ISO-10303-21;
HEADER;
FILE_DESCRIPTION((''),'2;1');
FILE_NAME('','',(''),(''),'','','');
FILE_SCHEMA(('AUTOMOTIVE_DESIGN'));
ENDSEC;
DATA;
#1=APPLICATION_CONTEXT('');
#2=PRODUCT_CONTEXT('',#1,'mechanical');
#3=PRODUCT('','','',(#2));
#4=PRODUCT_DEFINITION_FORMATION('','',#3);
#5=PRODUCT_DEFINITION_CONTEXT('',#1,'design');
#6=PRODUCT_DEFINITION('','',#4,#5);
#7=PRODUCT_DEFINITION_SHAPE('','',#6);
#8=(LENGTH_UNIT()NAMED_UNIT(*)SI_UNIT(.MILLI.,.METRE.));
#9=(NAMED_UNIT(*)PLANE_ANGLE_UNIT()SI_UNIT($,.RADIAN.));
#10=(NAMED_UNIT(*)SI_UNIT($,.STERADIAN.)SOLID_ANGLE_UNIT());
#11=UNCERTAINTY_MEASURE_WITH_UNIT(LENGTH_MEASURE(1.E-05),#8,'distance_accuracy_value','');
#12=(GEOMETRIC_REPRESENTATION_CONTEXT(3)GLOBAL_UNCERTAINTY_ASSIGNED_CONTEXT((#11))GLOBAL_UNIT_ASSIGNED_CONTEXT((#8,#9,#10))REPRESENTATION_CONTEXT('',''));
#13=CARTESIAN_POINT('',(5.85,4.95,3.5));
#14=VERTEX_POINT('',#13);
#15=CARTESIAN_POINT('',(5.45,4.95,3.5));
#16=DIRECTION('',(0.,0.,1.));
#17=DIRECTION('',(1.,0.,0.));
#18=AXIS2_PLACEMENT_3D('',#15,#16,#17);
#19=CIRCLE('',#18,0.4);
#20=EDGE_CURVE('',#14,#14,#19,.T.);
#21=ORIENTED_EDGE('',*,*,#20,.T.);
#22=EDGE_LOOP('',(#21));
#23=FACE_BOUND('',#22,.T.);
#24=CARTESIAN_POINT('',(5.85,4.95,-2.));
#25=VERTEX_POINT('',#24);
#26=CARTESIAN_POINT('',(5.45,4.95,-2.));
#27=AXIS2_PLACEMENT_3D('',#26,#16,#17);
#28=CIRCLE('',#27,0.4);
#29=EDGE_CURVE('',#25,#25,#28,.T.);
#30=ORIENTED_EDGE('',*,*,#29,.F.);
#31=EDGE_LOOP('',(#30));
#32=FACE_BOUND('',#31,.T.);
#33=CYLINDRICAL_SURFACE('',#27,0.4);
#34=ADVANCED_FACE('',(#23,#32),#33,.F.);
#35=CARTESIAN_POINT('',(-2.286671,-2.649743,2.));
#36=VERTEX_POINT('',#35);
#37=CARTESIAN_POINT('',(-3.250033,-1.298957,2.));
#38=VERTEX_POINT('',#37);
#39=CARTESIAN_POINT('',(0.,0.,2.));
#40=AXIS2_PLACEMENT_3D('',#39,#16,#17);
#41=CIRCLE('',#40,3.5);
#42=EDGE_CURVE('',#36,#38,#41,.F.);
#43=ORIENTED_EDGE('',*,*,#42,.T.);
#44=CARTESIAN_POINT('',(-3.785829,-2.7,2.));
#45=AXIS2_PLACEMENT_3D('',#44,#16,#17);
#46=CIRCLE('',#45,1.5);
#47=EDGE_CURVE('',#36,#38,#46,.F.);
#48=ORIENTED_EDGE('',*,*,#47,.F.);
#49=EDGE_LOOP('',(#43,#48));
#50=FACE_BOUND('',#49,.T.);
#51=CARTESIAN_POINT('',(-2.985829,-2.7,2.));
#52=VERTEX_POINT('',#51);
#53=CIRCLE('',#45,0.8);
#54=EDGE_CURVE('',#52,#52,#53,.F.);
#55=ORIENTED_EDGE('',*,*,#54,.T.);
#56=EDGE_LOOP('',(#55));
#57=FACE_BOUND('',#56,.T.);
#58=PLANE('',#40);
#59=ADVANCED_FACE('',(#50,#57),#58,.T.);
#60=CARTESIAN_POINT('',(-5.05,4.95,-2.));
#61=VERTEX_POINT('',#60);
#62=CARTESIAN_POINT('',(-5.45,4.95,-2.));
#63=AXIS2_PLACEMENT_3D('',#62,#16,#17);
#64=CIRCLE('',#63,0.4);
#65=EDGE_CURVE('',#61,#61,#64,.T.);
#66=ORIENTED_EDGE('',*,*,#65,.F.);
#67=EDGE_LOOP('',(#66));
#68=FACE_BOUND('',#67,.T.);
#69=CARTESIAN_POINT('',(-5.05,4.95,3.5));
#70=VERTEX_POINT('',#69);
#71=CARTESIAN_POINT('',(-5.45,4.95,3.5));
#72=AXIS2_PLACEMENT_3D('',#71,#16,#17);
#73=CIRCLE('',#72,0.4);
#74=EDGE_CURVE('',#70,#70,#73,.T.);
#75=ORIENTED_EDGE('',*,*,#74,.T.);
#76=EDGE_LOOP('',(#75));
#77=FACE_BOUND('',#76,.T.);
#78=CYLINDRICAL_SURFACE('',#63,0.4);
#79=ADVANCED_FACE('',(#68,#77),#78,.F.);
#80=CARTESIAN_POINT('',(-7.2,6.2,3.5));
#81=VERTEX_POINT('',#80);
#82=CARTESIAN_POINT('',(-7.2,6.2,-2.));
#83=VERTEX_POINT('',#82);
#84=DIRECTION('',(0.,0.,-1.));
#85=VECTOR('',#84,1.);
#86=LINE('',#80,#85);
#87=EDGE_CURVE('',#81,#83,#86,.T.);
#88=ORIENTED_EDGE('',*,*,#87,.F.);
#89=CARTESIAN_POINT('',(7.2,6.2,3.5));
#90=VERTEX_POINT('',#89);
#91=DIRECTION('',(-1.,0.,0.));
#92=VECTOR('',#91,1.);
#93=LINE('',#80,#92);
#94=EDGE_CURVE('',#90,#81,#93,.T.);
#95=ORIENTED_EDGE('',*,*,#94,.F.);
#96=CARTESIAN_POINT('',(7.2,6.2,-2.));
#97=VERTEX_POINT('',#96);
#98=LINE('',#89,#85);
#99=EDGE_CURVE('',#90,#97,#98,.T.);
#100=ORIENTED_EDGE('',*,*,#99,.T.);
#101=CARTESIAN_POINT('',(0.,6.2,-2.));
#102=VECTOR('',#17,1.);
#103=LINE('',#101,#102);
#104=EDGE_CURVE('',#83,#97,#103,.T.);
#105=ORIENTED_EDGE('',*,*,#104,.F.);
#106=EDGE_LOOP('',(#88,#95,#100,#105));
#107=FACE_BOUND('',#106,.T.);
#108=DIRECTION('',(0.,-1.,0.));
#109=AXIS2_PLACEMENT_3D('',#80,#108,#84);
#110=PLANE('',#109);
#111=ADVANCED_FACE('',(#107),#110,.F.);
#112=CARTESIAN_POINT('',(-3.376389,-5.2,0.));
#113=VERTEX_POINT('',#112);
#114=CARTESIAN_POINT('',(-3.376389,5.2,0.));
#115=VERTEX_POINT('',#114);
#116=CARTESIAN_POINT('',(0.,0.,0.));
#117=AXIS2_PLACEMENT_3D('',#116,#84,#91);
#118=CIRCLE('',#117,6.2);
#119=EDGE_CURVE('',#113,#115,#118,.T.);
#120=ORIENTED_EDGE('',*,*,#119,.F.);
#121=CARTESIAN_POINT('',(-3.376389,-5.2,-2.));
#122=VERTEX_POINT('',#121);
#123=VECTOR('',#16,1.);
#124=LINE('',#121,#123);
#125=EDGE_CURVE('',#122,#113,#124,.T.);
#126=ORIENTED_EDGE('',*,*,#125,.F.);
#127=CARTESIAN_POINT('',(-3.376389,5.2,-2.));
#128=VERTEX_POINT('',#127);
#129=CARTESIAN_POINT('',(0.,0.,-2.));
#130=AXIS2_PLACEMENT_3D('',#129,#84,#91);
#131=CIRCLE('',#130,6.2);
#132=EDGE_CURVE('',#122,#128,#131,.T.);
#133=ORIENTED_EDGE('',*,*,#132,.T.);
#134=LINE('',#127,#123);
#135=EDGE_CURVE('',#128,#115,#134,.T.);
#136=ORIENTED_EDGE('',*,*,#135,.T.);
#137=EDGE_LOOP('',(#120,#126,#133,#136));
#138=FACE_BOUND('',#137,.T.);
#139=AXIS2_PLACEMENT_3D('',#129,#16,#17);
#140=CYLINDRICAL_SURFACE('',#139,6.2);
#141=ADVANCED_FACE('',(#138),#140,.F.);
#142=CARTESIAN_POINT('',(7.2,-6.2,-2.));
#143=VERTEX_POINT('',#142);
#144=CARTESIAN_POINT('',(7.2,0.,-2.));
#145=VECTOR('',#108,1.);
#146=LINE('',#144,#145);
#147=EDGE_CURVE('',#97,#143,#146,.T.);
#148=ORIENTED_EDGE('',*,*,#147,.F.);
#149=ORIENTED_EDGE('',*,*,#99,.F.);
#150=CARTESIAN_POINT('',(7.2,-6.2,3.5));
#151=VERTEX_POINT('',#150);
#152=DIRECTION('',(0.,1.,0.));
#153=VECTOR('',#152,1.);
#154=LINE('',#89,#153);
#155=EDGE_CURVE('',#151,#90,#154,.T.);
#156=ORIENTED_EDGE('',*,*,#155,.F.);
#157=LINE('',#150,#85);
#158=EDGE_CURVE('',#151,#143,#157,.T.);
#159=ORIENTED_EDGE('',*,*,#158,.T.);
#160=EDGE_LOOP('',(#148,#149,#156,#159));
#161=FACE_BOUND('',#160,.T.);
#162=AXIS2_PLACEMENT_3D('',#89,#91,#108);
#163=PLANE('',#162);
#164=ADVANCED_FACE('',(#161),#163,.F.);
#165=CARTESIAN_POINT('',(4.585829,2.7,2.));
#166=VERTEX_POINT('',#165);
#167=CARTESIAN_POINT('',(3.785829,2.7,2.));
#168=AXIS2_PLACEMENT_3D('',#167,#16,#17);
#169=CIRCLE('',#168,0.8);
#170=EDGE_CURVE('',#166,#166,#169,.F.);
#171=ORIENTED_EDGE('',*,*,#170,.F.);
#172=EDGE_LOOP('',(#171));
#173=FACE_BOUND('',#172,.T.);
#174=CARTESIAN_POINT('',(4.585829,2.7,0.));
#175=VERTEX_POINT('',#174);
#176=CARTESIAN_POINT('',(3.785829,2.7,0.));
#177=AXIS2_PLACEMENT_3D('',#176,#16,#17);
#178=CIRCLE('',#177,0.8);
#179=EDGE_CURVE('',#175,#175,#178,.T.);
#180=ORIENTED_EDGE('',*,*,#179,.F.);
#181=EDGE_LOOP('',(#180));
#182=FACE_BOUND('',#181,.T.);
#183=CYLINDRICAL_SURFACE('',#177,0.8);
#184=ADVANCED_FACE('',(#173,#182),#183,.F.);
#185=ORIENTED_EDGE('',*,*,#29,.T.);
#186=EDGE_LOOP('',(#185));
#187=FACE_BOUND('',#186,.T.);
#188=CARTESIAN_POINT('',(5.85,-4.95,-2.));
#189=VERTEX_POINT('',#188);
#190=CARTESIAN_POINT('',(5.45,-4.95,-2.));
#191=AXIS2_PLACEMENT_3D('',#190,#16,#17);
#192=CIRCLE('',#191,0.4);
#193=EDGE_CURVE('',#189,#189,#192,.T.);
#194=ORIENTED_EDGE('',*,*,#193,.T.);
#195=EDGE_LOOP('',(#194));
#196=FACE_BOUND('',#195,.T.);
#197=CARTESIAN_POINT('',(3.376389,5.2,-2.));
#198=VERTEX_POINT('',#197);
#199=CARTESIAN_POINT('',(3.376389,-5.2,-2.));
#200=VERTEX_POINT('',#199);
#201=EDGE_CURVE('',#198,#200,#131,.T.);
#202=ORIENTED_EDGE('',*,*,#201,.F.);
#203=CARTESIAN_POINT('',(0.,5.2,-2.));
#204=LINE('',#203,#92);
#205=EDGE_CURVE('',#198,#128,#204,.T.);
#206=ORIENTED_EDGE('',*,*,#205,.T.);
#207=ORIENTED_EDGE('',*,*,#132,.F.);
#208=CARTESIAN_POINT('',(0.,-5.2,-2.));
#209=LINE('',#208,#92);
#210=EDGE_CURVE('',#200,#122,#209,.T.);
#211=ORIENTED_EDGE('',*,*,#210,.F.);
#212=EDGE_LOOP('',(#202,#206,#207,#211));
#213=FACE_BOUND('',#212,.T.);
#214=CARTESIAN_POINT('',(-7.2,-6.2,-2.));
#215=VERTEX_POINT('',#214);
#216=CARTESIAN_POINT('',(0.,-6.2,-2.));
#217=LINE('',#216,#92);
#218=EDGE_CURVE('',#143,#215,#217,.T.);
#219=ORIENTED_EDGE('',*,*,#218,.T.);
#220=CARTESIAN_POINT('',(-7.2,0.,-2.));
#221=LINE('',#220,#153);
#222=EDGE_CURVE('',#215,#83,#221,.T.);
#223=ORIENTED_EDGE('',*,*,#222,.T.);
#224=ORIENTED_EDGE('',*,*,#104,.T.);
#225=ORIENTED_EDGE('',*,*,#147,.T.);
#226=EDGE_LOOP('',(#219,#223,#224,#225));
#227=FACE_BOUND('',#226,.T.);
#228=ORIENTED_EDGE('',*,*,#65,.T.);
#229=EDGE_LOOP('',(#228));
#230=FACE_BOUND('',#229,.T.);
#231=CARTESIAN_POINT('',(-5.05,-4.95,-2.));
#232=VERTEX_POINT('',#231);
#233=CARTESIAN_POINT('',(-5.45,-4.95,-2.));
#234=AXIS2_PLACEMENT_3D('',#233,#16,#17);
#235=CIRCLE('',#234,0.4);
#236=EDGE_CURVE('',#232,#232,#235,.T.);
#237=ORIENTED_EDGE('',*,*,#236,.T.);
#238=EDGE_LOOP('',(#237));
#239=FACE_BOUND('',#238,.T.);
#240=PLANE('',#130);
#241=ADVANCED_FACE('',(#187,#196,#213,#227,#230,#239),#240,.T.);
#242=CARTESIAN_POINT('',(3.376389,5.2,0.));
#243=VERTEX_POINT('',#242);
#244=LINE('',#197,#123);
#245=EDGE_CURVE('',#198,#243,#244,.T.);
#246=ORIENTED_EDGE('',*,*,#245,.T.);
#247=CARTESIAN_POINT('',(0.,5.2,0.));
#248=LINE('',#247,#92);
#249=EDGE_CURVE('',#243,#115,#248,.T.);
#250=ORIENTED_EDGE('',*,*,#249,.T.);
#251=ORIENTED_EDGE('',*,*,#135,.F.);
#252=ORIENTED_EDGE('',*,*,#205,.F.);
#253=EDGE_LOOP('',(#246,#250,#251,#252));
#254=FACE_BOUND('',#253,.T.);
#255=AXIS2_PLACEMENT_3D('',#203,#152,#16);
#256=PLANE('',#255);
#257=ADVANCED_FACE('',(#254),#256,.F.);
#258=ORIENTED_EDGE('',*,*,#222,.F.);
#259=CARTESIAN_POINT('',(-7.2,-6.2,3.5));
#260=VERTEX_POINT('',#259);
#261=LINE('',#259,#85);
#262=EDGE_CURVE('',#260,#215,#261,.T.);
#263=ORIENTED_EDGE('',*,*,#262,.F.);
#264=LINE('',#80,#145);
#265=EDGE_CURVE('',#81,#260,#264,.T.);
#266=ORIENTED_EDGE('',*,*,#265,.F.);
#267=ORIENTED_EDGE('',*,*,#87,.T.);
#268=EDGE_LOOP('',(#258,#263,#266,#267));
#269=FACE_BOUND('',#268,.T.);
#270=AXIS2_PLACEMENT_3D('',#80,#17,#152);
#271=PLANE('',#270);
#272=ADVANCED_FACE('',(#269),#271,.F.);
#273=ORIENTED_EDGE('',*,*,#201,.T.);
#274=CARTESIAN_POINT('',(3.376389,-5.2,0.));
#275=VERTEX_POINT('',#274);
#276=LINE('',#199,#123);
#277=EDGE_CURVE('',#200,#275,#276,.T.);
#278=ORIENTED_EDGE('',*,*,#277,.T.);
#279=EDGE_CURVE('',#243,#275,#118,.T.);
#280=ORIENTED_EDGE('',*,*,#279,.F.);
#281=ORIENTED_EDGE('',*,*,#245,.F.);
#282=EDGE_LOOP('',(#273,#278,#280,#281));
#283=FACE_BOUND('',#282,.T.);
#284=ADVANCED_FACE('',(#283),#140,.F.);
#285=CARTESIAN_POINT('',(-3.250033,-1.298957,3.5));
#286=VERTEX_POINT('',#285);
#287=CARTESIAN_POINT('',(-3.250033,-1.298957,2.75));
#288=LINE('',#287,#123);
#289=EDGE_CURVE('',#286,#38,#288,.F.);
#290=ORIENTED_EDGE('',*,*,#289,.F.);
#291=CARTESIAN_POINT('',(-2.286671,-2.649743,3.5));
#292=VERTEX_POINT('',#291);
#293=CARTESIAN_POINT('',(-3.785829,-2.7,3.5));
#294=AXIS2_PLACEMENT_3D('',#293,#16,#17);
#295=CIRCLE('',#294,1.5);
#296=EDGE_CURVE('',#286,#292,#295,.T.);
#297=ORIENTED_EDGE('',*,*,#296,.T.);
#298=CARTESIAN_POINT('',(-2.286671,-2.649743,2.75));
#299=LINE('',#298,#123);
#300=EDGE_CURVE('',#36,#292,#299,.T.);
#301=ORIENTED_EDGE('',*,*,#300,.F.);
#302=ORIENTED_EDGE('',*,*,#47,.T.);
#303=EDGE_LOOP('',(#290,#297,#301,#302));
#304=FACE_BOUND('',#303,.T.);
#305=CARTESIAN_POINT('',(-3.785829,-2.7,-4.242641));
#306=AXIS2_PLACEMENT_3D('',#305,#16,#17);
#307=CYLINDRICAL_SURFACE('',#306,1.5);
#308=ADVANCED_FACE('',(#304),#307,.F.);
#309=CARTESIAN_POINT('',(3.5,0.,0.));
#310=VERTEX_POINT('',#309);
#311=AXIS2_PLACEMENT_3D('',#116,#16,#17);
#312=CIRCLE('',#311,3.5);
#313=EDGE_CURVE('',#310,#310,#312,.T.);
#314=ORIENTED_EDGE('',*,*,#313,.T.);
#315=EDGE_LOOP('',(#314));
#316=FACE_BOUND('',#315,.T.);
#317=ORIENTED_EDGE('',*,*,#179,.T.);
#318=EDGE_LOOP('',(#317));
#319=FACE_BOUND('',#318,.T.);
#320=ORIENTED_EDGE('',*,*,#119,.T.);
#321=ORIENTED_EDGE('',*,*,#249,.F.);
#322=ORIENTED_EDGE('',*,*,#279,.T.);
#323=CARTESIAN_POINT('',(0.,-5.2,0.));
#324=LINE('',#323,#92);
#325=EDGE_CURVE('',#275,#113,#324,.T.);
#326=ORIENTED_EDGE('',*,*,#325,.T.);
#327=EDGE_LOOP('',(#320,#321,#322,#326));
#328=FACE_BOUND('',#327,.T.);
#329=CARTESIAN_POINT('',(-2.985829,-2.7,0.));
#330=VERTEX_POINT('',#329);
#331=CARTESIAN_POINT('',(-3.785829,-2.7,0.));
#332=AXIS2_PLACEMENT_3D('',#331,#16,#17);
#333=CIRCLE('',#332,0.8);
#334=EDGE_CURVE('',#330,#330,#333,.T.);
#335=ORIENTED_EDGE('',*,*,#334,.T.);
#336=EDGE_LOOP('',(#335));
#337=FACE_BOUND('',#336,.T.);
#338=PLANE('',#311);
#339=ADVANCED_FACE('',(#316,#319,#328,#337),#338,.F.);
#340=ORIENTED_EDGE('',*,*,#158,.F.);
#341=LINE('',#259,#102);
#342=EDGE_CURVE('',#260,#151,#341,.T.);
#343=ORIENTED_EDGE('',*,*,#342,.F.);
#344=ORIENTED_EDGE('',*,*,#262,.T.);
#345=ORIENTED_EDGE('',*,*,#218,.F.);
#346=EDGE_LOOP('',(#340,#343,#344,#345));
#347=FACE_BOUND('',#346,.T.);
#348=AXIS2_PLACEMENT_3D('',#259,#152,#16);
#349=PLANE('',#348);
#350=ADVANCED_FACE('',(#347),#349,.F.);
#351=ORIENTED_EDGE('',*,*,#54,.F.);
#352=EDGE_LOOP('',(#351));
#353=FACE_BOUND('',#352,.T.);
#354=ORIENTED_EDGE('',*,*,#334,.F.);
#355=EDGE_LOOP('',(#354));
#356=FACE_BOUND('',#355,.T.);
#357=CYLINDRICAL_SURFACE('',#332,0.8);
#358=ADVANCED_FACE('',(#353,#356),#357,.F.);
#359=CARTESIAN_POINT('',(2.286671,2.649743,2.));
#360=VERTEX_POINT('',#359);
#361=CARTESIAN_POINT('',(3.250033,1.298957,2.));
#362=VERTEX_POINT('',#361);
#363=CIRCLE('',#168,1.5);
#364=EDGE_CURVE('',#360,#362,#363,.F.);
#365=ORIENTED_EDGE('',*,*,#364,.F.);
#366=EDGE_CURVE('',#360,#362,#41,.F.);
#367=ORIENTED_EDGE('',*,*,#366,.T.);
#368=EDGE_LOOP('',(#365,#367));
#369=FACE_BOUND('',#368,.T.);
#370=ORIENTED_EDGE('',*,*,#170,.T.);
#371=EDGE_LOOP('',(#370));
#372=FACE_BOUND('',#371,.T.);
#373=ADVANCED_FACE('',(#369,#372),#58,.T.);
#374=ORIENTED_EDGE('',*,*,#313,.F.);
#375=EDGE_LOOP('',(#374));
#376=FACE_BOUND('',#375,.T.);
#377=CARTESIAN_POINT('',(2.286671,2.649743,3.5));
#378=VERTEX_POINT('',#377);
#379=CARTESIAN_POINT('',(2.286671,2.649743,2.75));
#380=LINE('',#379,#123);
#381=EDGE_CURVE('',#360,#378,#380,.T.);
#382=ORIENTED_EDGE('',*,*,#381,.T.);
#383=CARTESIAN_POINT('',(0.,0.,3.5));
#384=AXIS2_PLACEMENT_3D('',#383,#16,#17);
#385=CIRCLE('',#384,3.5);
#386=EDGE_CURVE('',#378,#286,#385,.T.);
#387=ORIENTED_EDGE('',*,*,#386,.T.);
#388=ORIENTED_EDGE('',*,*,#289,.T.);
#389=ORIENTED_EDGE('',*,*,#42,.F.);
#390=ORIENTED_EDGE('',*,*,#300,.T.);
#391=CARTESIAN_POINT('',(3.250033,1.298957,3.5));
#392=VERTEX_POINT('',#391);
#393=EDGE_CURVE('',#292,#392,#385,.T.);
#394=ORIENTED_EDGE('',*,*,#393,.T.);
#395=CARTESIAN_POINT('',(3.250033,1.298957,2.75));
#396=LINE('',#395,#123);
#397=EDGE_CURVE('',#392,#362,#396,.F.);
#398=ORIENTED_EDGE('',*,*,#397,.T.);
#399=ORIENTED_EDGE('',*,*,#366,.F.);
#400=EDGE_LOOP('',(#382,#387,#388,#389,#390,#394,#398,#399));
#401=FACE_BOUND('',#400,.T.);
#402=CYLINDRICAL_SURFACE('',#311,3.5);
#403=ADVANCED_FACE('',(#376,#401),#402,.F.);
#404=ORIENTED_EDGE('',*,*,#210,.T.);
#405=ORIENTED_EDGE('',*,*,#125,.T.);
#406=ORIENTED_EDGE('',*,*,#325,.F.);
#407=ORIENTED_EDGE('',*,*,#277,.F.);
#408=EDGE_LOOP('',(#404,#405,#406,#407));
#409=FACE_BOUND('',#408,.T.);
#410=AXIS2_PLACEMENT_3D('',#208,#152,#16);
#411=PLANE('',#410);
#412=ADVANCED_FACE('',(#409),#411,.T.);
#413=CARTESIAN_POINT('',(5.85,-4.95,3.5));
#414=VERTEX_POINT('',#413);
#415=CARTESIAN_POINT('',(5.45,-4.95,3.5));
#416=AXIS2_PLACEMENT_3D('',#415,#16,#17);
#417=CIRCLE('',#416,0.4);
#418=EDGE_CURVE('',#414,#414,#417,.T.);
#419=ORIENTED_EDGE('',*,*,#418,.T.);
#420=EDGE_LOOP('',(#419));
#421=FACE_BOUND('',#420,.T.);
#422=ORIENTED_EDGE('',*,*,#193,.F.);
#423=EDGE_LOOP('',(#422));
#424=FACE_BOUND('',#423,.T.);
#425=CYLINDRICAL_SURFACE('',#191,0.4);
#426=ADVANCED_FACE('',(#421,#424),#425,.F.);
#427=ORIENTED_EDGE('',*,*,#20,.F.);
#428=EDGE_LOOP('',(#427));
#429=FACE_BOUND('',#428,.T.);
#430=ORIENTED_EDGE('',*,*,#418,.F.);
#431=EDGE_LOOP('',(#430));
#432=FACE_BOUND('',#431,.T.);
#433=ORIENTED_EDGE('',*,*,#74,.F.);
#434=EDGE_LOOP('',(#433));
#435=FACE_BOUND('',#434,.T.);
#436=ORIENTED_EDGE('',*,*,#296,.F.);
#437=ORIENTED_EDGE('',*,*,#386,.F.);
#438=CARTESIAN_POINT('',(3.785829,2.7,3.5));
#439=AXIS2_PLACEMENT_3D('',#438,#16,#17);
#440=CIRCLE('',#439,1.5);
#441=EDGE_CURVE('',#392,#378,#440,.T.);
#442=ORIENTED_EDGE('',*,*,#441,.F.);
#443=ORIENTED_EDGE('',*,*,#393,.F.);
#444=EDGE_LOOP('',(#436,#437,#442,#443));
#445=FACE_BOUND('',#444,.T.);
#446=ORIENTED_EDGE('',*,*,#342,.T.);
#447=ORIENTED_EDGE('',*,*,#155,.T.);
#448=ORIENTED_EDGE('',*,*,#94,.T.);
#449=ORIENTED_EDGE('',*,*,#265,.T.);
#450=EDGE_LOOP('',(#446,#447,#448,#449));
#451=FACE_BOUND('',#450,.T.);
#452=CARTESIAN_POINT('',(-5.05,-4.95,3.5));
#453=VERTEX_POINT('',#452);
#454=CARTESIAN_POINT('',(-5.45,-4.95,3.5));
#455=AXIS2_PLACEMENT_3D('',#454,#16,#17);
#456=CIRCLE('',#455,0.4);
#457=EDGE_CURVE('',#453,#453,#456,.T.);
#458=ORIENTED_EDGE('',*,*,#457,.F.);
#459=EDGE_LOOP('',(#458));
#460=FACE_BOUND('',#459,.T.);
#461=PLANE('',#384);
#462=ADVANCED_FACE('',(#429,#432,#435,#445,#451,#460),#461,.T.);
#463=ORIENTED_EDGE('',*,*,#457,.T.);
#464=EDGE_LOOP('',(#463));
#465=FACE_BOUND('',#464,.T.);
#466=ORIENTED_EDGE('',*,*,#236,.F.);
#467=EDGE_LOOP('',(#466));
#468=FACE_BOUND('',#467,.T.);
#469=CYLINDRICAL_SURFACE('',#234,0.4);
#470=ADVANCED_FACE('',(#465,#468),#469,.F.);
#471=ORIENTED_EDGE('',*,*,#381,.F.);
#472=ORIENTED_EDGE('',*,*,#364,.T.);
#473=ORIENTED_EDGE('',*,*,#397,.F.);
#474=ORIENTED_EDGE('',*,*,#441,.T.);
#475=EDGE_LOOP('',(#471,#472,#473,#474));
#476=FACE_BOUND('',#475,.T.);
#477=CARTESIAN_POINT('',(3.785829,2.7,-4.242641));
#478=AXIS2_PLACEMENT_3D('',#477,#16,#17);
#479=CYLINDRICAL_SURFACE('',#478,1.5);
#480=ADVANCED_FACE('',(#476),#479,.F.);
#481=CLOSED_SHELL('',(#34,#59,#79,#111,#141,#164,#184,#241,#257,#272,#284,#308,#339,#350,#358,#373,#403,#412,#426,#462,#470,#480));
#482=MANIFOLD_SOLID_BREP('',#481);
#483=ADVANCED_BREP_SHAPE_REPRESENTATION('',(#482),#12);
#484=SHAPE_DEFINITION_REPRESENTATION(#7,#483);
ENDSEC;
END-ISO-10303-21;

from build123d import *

# Parameters (mm, degrees)
SKETCH_1_W          = 14.4
SKETCH_1_H          = 12.4
EXTRUDE_1_DEPTH     = 3.5
SKETCH_3_R          = 0.8
SKETCH_3_R_2        = 3.5
CUT_EXTRUDE_1_DEPTH = 11.125709852
SKETCH_3_3_R        = 1.5
CUT_EXTRUDE_2_DEPTH = 1.5
EXTRUDE_2_DEPTH     = 2
SKETCH_5_R          = 0.4
CUT_EXTRUDE_3_DEPTH = 11.978615578


with BuildPart() as part:
    # 草图1 → 凸台-拉伸1 (new body)
    with BuildSketch(Plane.XY):
        Rectangle(SKETCH_1_W, SKETCH_1_H)
    extrude(amount=EXTRUDE_1_DEPTH)

    # 草图3 → 切除-拉伸1 (cut, through all)
    with BuildSketch(Plane.XY.offset(3.5)):
        with Locations((3.785828839, 2.7)):
            Circle(SKETCH_3_R)
        with Locations((-3.785828839, -2.7)):
            Circle(SKETCH_3_R)
        Circle(SKETCH_3_R_2)
    extrude(amount=-CUT_EXTRUDE_1_DEPTH, mode=Mode.SUBTRACT)

    # 草图3<3> → 切除-拉伸2 (cut)
    with BuildSketch(Plane.XY.offset(3.5)):
        with Locations((3.785828839, 2.7)):
            Circle(SKETCH_3_3_R)
        with Locations((-3.785828839, -2.7)):
            Circle(SKETCH_3_3_R)
    extrude(amount=-CUT_EXTRUDE_2_DEPTH, mode=Mode.SUBTRACT)

    # 草图4 → 凸台-拉伸2 (add)
    with BuildSketch(Plane(origin=(0, 0, 0), x_dir=(-1, 0, 0), z_dir=(0, 0, -1))):
        with BuildLine():
            Line((-6.2, 0), (-6.2, 5.2))
            Line((-6.2, 5.2), (-3.376388603, 5.2))
            ThreePointArc((-3.376388603, 5.2), (-1.760681692, 5.944745577), (-1.3e-08, 6.2))
            Line((-1.3e-08, 6.2), (-7.2, 6.2))
            Line((-7.2, 6.2), (-7.2, -6.2))
            Line((-7.2, -6.2), (0, -6.2))
            ThreePointArc((0, -6.2), (-1.760681686, -5.944745579), (-3.376388603, -5.2))
            Line((-3.376388603, -5.2), (-6.2, -5.2))
            Line((-6.2, -5.2), (-6.2, 0))
        make_face()
        with BuildLine():
            ThreePointArc((-1.3e-08, 6.2), (1.76068168, 5.944745581), (3.376388603, 5.2))
            Line((3.376388603, 5.2), (6.2, 5.2))
            Line((6.2, 5.2), (6.2, 0))
            Line((6.2, 0), (6.2, -5.2))
            Line((6.2, -5.2), (3.376388603, -5.2))
            ThreePointArc((3.376388603, -5.2), (1.760681686, -5.944745579), (0, -6.2))
            Line((0, -6.2), (7.2, -6.2))
            Line((7.2, -6.2), (7.2, 6.2))
            Line((7.2, 6.2), (-1.3e-08, 6.2))
        make_face()
        with BuildLine():
            Line((3.376388603, -5.2), (-3.376388603, -5.2))
            ThreePointArc((-3.376388603, -5.2), (-1.760681686, -5.944745579), (0, -6.2))
            ThreePointArc((0, -6.2), (1.760681686, -5.944745579), (3.376388603, -5.2))
        make_face()
        with BuildLine():
            ThreePointArc((-3.376388603, -5.2), (-5.448559871, -2.958579952), (-6.2, 0))
            Line((-6.2, 0), (-6.2, -5.2))
            Line((-6.2, -5.2), (-3.376388603, -5.2))
        make_face()
        with BuildLine():
            Line((-3.376388603, 5.2), (-6.2, 5.2))
            Line((-6.2, 5.2), (-6.2, 0))
            ThreePointArc((-6.2, 0), (-5.448559871, 2.958579952), (-3.376388603, 5.2))
        make_face()
        with BuildLine():
            ThreePointArc((-1.3e-08, 6.2), (-1.760681692, 5.944745577), (-3.376388603, 5.2))
            Line((-3.376388603, 5.2), (3.376388603, 5.2))
            ThreePointArc((3.376388603, 5.2), (1.76068168, 5.944745581), (-1.3e-08, 6.2))
        make_face()
        with BuildLine():
            Line((6.2, 5.2), (3.376388603, 5.2))
            ThreePointArc((3.376388603, 5.2), (5.448559871, 2.958579952), (6.2, 0))
            Line((6.2, 0), (6.2, 5.2))
        make_face()
        with BuildLine():
            Line((6.2, -5.2), (6.2, 0))
            ThreePointArc((6.2, 0), (5.448559871, -2.958579952), (3.376388603, -5.2))
            Line((3.376388603, -5.2), (6.2, -5.2))
        make_face()
    extrude(amount=EXTRUDE_2_DEPTH)

    # 草图5 → 切除-拉伸3 (cut, through all)
    with BuildSketch(Plane.XY.offset(3.5)):
        with Locations((-5.45, 4.95)):
            Circle(SKETCH_5_R)
        with Locations((5.45, 4.95)):
            Circle(SKETCH_5_R)
        with Locations((5.45, -4.95)):
            Circle(SKETCH_5_R)
        with Locations((-5.45, -4.95)):
            Circle(SKETCH_5_R)
    extrude(amount=-CUT_EXTRUDE_3_DEPTH, mode=Mode.SUBTRACT)


solid = part.part
